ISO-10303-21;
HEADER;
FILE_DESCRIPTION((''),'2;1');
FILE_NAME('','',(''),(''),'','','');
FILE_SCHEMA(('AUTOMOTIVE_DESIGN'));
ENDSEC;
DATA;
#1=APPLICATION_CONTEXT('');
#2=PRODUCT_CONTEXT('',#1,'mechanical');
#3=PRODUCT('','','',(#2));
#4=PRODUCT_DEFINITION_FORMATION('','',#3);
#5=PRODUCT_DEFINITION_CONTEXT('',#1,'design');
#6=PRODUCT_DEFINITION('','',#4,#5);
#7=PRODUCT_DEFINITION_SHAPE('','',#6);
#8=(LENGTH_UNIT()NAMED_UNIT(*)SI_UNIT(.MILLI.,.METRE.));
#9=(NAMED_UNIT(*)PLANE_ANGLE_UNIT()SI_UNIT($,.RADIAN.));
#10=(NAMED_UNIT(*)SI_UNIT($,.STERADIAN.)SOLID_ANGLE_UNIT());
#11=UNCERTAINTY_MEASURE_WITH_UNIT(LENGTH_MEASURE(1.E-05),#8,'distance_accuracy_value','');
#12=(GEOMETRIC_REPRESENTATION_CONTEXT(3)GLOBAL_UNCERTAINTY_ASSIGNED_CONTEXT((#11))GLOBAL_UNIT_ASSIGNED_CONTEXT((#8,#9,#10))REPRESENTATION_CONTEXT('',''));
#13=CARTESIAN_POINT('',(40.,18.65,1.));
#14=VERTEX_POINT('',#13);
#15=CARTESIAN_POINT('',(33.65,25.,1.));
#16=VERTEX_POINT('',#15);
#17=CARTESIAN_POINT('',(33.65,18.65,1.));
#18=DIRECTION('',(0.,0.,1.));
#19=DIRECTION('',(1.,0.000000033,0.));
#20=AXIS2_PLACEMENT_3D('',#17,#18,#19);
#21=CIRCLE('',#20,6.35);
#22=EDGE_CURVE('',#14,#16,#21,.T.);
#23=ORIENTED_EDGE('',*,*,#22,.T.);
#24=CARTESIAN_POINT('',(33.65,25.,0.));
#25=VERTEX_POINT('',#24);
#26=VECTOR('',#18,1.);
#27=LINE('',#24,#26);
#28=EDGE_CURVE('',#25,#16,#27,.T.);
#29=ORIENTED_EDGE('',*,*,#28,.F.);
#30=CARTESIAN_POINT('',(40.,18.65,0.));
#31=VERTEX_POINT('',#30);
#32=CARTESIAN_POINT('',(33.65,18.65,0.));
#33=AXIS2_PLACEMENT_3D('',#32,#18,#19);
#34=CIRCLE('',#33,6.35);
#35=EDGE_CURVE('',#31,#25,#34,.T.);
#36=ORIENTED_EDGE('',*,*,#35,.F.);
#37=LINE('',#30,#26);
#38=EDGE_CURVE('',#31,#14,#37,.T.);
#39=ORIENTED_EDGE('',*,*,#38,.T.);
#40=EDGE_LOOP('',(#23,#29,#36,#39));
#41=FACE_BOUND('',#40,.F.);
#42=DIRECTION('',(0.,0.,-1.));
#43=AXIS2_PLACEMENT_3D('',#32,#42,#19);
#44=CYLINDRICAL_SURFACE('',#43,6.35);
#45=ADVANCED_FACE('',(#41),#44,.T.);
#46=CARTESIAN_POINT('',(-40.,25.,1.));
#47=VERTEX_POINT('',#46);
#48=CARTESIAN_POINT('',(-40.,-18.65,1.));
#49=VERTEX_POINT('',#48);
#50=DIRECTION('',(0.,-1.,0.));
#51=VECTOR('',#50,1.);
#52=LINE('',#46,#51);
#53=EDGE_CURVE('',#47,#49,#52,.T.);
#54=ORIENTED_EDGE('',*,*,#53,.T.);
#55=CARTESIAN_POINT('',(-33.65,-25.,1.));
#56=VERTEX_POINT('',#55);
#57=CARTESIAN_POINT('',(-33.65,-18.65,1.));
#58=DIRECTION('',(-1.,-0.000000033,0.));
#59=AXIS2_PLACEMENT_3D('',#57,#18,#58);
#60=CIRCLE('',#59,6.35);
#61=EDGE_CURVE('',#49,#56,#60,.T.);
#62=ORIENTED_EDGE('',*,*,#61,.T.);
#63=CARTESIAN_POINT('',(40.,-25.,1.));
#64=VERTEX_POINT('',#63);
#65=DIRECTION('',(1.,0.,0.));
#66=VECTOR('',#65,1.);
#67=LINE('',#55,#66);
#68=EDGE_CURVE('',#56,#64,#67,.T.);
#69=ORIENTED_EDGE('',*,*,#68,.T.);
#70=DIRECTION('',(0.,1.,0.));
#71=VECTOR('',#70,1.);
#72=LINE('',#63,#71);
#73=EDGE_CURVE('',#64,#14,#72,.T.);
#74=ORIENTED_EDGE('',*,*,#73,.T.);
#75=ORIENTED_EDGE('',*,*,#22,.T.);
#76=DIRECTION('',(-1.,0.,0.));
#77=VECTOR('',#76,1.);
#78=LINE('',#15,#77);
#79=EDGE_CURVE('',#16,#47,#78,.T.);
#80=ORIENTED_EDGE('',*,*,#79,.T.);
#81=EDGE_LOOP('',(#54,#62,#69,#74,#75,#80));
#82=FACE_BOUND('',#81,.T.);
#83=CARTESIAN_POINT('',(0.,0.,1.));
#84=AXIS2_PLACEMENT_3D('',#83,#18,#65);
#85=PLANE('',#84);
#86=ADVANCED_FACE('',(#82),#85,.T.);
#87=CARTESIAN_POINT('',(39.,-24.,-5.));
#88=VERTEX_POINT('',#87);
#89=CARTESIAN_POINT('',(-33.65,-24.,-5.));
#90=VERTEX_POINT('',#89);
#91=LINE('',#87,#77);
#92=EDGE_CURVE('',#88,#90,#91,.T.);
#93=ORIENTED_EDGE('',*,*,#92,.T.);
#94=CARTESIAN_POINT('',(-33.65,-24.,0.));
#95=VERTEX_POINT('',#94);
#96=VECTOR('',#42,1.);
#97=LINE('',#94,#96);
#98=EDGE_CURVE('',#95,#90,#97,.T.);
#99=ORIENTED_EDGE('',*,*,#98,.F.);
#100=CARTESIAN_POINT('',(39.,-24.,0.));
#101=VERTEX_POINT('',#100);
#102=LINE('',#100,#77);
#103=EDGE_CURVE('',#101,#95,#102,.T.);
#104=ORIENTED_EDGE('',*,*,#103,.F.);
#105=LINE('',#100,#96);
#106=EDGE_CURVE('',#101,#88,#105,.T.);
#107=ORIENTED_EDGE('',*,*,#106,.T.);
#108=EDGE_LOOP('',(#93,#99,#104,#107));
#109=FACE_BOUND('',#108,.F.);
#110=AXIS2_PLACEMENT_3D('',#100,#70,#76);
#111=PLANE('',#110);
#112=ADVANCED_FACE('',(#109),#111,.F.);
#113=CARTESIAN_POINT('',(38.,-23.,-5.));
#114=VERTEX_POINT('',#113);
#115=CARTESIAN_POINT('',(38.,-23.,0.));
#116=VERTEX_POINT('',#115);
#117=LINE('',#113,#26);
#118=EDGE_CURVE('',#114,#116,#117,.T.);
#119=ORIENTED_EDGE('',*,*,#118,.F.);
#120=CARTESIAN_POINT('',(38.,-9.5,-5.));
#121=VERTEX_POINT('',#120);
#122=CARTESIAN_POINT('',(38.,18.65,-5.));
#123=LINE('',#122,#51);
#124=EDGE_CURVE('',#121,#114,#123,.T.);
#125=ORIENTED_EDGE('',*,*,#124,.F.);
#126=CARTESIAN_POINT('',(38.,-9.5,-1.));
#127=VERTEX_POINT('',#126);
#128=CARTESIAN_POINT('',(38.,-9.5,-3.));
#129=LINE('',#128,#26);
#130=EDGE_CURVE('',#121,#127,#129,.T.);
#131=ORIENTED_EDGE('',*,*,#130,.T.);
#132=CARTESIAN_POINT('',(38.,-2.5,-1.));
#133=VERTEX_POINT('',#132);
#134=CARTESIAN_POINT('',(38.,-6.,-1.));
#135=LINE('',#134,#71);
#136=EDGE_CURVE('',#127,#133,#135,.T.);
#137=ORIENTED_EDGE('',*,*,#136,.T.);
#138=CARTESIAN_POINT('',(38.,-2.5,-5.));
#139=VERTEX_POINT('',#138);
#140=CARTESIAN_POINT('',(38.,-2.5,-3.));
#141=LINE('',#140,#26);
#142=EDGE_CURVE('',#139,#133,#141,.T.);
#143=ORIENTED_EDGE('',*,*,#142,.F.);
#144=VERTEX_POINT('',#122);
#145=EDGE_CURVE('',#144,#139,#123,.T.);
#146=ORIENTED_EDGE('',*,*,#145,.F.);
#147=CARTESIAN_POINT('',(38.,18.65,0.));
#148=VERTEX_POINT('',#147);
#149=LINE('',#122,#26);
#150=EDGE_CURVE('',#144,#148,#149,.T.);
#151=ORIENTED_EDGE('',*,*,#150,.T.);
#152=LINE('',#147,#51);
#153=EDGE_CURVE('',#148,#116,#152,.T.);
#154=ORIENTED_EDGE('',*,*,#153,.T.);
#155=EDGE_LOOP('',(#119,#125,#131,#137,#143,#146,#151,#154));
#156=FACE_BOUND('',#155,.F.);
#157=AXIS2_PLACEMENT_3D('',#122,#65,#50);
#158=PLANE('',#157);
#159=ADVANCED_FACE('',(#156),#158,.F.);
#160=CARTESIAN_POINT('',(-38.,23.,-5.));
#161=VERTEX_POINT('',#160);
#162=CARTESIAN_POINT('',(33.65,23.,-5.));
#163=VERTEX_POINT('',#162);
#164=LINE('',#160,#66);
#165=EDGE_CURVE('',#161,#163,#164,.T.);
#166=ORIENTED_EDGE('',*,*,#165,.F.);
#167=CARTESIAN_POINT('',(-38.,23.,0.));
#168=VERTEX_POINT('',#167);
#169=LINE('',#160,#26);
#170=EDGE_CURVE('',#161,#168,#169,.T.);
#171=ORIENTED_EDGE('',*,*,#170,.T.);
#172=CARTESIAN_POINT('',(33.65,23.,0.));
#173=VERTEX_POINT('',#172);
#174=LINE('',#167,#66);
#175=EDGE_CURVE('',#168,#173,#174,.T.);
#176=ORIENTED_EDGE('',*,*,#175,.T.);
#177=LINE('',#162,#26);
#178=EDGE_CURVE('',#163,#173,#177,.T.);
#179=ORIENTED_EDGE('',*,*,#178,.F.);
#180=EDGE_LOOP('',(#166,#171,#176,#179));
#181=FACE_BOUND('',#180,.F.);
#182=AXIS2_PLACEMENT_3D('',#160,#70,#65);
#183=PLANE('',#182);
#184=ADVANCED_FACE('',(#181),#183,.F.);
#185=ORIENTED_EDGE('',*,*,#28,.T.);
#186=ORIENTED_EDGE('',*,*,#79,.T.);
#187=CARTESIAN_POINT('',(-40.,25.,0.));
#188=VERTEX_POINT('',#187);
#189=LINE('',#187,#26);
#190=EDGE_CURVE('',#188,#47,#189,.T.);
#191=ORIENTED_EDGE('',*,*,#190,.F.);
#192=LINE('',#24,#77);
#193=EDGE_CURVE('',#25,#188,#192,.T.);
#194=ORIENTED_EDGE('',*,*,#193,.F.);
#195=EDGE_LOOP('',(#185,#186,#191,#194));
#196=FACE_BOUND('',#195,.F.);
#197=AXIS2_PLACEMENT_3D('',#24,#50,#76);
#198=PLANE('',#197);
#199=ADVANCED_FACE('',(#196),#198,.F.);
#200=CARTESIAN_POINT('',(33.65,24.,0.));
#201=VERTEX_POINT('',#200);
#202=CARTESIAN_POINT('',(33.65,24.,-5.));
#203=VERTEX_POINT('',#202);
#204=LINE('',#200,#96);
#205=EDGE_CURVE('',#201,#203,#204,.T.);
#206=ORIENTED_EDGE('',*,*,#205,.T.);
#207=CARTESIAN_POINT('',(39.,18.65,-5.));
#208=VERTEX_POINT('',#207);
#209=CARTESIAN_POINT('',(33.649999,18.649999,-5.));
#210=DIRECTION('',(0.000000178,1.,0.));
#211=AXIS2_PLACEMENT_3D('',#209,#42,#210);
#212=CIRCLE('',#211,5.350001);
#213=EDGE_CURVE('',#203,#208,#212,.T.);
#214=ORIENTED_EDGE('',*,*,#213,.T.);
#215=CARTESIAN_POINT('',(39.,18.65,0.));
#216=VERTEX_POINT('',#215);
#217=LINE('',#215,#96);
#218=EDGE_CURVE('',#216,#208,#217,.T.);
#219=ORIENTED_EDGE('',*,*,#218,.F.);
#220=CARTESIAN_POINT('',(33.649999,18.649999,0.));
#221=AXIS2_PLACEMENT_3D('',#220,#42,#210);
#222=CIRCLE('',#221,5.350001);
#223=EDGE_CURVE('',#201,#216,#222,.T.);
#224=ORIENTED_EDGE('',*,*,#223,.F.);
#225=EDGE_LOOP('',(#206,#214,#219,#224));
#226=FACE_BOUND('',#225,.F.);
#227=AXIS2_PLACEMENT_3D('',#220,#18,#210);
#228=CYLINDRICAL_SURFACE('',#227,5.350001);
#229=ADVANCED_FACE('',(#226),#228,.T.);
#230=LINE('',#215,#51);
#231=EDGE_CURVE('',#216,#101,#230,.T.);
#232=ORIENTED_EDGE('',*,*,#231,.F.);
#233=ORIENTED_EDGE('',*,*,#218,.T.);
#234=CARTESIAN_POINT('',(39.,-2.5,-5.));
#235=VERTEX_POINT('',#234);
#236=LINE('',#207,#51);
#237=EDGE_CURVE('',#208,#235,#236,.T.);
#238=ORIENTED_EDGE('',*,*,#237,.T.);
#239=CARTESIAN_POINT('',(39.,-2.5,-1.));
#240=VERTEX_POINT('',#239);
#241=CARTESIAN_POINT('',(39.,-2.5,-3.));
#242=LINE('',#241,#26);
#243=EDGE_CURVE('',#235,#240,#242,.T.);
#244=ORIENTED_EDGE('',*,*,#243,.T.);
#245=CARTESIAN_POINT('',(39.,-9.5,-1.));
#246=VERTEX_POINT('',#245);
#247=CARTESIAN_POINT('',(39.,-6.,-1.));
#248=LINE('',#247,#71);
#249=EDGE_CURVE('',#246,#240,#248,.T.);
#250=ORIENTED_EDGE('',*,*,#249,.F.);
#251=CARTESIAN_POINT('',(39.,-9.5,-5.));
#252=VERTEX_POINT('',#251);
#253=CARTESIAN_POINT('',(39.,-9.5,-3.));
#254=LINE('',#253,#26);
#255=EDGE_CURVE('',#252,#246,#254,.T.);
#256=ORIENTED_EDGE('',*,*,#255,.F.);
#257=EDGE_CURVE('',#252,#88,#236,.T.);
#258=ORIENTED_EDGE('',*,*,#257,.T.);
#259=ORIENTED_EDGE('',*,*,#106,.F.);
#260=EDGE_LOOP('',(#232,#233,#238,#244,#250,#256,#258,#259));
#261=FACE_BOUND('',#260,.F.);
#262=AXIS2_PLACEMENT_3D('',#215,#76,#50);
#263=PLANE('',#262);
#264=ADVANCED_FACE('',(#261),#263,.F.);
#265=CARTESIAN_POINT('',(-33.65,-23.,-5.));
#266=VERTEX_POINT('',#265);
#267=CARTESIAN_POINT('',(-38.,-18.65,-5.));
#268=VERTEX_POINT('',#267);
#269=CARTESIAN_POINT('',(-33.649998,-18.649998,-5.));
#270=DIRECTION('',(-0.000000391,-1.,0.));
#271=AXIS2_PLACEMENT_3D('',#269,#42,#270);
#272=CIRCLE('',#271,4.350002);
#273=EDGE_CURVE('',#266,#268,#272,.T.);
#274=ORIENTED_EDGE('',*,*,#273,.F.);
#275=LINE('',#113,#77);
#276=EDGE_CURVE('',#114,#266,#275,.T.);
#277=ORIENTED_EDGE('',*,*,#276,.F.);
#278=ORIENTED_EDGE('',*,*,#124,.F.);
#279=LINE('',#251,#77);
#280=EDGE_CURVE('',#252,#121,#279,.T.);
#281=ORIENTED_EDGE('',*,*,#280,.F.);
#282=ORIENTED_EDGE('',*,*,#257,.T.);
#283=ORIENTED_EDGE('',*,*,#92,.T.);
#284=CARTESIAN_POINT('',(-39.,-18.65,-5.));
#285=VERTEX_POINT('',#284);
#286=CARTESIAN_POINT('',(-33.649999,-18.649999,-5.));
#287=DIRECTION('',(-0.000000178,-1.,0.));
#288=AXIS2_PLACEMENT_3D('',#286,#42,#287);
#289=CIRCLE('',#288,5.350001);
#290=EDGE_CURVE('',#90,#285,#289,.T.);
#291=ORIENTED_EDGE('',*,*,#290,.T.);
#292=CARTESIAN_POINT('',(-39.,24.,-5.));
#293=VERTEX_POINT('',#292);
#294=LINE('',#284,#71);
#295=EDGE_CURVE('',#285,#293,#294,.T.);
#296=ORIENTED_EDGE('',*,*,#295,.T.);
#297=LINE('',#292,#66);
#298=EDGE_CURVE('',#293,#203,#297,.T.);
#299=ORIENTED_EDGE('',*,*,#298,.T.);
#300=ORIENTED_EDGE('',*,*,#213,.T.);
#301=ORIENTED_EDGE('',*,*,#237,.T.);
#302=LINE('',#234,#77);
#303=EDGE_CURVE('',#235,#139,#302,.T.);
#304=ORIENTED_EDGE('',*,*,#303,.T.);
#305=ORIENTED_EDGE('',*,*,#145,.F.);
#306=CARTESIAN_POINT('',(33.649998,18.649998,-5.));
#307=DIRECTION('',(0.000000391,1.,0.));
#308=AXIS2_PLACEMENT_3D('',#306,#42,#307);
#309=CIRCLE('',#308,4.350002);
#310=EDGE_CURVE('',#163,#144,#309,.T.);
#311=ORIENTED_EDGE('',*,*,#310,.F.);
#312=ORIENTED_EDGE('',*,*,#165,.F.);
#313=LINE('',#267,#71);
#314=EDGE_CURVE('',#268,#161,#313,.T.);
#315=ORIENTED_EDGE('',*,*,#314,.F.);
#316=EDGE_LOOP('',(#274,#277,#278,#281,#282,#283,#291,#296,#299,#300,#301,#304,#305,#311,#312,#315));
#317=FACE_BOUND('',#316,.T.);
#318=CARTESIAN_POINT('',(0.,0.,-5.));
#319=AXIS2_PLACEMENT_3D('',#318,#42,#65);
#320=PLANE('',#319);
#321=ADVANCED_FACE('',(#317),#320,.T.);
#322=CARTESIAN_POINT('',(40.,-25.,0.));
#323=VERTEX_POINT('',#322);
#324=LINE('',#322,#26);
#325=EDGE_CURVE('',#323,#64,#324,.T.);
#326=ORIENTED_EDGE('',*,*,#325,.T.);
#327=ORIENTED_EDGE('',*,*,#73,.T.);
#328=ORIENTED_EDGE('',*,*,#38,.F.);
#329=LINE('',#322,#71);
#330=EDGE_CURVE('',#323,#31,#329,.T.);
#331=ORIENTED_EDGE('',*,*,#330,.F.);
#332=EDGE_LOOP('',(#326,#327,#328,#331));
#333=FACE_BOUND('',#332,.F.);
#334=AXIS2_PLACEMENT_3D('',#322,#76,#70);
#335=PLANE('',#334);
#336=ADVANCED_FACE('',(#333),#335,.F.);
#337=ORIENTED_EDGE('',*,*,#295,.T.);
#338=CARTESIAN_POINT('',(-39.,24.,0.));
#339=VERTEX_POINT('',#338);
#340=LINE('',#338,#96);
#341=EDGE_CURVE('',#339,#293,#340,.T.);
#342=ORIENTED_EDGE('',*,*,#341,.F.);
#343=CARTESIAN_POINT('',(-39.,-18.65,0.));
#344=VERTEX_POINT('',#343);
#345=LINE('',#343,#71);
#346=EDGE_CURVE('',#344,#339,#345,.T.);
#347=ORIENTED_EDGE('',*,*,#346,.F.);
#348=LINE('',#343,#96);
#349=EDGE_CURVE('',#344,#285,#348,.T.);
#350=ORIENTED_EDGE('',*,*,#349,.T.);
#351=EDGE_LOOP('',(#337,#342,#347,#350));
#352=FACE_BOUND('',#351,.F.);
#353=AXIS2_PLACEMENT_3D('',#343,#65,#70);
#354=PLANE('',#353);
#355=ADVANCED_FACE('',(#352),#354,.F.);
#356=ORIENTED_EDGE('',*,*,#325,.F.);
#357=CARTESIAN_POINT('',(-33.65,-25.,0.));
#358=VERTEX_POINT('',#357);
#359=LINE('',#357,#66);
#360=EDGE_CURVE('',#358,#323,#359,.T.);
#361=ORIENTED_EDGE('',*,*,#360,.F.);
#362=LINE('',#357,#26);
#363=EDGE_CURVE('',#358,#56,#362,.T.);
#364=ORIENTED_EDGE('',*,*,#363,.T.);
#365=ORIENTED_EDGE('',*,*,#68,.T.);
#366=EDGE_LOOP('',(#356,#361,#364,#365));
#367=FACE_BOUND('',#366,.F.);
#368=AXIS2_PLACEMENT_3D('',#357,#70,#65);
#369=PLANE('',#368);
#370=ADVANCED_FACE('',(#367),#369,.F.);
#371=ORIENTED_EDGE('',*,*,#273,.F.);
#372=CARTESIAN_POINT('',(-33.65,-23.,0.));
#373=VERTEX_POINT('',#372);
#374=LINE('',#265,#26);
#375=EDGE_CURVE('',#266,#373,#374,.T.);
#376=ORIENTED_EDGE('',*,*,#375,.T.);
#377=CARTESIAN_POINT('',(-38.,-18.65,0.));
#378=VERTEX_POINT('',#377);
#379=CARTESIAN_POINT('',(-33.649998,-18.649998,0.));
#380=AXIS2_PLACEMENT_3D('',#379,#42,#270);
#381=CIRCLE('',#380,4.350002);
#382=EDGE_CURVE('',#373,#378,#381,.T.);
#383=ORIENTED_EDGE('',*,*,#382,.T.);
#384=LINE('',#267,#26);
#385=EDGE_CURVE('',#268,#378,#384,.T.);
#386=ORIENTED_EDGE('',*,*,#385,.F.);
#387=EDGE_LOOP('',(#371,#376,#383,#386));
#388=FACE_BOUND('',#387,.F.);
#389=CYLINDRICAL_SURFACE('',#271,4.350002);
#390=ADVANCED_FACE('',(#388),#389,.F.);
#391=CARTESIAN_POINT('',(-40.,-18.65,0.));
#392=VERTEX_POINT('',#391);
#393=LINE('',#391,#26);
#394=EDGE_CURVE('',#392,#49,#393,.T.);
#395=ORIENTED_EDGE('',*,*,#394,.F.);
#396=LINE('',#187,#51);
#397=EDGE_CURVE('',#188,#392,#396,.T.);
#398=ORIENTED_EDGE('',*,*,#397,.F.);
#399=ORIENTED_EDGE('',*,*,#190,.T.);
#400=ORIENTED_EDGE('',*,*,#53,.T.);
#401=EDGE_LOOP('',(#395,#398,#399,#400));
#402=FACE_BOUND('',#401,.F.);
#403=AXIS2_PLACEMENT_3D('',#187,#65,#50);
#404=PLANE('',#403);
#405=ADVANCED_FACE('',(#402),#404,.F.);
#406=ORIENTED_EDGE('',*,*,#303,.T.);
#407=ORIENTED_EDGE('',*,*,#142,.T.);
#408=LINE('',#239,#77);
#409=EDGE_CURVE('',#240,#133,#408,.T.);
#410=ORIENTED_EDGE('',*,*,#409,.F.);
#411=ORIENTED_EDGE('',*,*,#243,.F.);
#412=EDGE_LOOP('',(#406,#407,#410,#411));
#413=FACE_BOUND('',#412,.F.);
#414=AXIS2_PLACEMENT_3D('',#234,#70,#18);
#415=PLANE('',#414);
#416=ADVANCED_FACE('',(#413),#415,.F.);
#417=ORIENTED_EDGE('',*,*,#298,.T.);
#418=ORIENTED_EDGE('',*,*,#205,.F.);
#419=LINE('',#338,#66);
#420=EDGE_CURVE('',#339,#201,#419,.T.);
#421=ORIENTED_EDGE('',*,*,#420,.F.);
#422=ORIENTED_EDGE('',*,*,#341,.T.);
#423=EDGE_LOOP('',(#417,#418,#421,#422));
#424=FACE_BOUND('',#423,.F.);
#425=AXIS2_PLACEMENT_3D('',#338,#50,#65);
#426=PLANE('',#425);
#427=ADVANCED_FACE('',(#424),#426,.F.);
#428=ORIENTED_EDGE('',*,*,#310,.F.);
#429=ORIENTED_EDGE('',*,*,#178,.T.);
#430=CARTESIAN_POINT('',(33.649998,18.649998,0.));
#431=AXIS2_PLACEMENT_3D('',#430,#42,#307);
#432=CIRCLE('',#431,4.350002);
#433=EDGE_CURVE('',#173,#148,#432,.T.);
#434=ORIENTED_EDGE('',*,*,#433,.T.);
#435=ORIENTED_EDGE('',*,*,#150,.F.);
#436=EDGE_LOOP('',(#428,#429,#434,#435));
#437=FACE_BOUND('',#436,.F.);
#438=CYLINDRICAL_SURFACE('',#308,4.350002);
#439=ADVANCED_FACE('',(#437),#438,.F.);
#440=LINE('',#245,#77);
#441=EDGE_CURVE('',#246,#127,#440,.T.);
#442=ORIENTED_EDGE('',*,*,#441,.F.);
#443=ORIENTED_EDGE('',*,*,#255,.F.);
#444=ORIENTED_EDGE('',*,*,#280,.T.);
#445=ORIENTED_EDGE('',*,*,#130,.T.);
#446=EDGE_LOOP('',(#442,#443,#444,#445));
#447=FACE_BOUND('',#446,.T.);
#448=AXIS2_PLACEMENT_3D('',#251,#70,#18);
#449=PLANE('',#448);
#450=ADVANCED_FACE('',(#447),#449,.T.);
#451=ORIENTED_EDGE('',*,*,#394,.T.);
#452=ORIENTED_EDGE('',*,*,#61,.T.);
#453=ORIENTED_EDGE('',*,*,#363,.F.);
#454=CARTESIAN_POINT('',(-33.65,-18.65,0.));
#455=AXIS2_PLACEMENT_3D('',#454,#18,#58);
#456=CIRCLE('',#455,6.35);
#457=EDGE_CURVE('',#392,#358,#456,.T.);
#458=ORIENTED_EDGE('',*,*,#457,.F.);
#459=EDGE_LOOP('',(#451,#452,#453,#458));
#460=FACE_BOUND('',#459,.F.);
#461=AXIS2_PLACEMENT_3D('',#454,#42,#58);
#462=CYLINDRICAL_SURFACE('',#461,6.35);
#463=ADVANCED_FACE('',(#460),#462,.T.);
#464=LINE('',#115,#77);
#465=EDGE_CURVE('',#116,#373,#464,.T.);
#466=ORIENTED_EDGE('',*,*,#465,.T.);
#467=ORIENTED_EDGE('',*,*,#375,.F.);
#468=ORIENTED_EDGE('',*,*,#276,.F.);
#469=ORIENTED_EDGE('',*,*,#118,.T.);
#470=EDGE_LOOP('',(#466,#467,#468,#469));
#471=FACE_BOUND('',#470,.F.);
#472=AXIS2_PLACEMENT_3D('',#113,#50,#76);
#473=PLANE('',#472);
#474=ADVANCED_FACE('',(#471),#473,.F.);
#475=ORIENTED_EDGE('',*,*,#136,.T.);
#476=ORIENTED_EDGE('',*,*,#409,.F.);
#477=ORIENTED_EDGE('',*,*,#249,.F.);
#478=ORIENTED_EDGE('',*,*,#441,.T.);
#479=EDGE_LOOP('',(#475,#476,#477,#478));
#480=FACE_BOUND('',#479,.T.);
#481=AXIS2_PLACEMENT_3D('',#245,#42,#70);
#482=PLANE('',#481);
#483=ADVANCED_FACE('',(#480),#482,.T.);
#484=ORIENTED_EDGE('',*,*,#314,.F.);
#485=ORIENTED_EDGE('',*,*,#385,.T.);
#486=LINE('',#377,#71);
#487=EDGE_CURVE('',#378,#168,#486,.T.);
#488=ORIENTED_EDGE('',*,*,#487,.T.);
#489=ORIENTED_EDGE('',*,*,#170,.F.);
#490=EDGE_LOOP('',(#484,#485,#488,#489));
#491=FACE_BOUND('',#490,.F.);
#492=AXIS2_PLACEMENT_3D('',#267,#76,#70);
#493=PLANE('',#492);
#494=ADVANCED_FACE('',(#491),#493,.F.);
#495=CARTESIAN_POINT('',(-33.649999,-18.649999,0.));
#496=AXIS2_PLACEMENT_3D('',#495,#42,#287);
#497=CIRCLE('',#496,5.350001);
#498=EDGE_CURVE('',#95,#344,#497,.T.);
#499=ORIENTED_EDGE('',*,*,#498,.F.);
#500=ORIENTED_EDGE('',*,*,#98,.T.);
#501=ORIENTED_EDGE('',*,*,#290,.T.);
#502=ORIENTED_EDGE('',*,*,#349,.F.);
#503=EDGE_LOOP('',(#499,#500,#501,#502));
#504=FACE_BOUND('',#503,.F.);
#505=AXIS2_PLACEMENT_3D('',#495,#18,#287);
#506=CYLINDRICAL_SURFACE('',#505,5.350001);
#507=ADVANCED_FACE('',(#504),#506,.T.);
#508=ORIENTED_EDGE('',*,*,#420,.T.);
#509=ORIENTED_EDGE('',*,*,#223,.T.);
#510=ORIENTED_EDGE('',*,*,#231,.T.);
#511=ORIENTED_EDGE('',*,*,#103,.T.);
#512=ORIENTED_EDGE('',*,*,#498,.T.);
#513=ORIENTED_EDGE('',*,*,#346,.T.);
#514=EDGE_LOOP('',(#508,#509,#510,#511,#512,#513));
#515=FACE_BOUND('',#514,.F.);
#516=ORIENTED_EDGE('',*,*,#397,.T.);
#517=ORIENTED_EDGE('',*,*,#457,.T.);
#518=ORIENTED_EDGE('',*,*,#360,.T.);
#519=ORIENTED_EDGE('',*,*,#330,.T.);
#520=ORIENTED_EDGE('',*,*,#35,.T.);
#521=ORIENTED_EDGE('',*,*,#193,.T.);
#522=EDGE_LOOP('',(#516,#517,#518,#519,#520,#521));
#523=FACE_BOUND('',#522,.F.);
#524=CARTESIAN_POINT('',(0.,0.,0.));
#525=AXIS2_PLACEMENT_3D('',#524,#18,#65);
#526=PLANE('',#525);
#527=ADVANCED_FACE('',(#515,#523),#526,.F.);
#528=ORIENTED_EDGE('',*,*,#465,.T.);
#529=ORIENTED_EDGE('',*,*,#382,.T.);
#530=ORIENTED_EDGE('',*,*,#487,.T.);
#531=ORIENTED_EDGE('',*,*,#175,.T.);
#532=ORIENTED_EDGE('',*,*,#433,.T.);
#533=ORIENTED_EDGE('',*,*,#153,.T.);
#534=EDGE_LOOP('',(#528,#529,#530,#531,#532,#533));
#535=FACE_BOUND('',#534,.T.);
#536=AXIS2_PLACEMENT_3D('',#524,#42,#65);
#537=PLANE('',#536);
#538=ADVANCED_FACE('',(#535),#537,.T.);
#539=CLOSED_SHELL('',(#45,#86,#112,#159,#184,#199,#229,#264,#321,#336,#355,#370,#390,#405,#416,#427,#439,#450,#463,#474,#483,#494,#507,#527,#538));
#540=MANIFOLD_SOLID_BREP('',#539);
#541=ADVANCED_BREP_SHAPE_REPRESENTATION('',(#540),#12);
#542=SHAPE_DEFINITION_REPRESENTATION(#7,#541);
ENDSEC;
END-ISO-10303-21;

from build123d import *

# Parameters (mm, degrees)
F1_DEPTH = 1
F3_DEPTH = 5
F5_DEPTH = 5
F6_W     = 7
F6_H     = 4
F7_DEPTH = 1


with BuildPart() as f1:
    # F0 (on Top) → F1 (new body)
    with BuildSketch(Plane.XY):
        with BuildLine():
            Line((-33.65, -25), (40, -25))
            Line((40, -25), (40, 18.65))
            ThreePointArc((40, 18.65), (38.140128, 23.140128), (33.65, 25))
            Line((33.65, 25), (-40, 25))
            Line((-40, 25), (-40, -18.65))
            ThreePointArc((-40, -18.65), (-38.140128, -23.140128), (-33.65, -25))
        make_face()
    extrude(amount=F1_DEPTH)

    # F2 (on face) → F3 (join)
    with BuildSketch(Plane(origin=(0, 0, 0), x_dir=(1, 0, 0), z_dir=(0, 0, -1))):
        with BuildLine():
            Line((39, 24), (-33.65, 24))
            ThreePointArc((-33.65, 24), (-37.433021, 22.433021), (-39, 18.65))
            Line((-39, 18.65), (-39, -24))
            Line((-39, -24), (33.65, -24))
            ThreePointArc((33.65, -24), (37.433021, -22.433021), (39, -18.65))
            Line((39, -18.65), (39, 24))
        make_face()
    extrude(amount=F3_DEPTH)

    # F4 (on face) → F5 (cut)
    with BuildSketch(Plane(origin=(0, 0, -5), x_dir=(1, 0, 0), z_dir=(0, 0, -1))):
        with BuildLine():
            Line((-38, 18.65), (-38, -23))
            Line((-38, -23), (33.65, -23))
            ThreePointArc((33.65, -23), (36.725914, -21.725914), (38, -18.65))
            Line((38, -18.65), (38, 23))
            Line((38, 23), (-33.65, 23))
            ThreePointArc((-33.65, 23), (-36.725914, 21.725914), (-38, 18.65))
        make_face()
    extrude(amount=-F5_DEPTH, mode=Mode.SUBTRACT)

    # F6 (on face) → F7 (cut, through all)
    with BuildSketch(Plane.YZ.offset(39)):
        with Locations((-6, -3)):
            Rectangle(F6_W, F6_H)
    extrude(amount=-F7_DEPTH, mode=Mode.SUBTRACT)


solid = f1.part
